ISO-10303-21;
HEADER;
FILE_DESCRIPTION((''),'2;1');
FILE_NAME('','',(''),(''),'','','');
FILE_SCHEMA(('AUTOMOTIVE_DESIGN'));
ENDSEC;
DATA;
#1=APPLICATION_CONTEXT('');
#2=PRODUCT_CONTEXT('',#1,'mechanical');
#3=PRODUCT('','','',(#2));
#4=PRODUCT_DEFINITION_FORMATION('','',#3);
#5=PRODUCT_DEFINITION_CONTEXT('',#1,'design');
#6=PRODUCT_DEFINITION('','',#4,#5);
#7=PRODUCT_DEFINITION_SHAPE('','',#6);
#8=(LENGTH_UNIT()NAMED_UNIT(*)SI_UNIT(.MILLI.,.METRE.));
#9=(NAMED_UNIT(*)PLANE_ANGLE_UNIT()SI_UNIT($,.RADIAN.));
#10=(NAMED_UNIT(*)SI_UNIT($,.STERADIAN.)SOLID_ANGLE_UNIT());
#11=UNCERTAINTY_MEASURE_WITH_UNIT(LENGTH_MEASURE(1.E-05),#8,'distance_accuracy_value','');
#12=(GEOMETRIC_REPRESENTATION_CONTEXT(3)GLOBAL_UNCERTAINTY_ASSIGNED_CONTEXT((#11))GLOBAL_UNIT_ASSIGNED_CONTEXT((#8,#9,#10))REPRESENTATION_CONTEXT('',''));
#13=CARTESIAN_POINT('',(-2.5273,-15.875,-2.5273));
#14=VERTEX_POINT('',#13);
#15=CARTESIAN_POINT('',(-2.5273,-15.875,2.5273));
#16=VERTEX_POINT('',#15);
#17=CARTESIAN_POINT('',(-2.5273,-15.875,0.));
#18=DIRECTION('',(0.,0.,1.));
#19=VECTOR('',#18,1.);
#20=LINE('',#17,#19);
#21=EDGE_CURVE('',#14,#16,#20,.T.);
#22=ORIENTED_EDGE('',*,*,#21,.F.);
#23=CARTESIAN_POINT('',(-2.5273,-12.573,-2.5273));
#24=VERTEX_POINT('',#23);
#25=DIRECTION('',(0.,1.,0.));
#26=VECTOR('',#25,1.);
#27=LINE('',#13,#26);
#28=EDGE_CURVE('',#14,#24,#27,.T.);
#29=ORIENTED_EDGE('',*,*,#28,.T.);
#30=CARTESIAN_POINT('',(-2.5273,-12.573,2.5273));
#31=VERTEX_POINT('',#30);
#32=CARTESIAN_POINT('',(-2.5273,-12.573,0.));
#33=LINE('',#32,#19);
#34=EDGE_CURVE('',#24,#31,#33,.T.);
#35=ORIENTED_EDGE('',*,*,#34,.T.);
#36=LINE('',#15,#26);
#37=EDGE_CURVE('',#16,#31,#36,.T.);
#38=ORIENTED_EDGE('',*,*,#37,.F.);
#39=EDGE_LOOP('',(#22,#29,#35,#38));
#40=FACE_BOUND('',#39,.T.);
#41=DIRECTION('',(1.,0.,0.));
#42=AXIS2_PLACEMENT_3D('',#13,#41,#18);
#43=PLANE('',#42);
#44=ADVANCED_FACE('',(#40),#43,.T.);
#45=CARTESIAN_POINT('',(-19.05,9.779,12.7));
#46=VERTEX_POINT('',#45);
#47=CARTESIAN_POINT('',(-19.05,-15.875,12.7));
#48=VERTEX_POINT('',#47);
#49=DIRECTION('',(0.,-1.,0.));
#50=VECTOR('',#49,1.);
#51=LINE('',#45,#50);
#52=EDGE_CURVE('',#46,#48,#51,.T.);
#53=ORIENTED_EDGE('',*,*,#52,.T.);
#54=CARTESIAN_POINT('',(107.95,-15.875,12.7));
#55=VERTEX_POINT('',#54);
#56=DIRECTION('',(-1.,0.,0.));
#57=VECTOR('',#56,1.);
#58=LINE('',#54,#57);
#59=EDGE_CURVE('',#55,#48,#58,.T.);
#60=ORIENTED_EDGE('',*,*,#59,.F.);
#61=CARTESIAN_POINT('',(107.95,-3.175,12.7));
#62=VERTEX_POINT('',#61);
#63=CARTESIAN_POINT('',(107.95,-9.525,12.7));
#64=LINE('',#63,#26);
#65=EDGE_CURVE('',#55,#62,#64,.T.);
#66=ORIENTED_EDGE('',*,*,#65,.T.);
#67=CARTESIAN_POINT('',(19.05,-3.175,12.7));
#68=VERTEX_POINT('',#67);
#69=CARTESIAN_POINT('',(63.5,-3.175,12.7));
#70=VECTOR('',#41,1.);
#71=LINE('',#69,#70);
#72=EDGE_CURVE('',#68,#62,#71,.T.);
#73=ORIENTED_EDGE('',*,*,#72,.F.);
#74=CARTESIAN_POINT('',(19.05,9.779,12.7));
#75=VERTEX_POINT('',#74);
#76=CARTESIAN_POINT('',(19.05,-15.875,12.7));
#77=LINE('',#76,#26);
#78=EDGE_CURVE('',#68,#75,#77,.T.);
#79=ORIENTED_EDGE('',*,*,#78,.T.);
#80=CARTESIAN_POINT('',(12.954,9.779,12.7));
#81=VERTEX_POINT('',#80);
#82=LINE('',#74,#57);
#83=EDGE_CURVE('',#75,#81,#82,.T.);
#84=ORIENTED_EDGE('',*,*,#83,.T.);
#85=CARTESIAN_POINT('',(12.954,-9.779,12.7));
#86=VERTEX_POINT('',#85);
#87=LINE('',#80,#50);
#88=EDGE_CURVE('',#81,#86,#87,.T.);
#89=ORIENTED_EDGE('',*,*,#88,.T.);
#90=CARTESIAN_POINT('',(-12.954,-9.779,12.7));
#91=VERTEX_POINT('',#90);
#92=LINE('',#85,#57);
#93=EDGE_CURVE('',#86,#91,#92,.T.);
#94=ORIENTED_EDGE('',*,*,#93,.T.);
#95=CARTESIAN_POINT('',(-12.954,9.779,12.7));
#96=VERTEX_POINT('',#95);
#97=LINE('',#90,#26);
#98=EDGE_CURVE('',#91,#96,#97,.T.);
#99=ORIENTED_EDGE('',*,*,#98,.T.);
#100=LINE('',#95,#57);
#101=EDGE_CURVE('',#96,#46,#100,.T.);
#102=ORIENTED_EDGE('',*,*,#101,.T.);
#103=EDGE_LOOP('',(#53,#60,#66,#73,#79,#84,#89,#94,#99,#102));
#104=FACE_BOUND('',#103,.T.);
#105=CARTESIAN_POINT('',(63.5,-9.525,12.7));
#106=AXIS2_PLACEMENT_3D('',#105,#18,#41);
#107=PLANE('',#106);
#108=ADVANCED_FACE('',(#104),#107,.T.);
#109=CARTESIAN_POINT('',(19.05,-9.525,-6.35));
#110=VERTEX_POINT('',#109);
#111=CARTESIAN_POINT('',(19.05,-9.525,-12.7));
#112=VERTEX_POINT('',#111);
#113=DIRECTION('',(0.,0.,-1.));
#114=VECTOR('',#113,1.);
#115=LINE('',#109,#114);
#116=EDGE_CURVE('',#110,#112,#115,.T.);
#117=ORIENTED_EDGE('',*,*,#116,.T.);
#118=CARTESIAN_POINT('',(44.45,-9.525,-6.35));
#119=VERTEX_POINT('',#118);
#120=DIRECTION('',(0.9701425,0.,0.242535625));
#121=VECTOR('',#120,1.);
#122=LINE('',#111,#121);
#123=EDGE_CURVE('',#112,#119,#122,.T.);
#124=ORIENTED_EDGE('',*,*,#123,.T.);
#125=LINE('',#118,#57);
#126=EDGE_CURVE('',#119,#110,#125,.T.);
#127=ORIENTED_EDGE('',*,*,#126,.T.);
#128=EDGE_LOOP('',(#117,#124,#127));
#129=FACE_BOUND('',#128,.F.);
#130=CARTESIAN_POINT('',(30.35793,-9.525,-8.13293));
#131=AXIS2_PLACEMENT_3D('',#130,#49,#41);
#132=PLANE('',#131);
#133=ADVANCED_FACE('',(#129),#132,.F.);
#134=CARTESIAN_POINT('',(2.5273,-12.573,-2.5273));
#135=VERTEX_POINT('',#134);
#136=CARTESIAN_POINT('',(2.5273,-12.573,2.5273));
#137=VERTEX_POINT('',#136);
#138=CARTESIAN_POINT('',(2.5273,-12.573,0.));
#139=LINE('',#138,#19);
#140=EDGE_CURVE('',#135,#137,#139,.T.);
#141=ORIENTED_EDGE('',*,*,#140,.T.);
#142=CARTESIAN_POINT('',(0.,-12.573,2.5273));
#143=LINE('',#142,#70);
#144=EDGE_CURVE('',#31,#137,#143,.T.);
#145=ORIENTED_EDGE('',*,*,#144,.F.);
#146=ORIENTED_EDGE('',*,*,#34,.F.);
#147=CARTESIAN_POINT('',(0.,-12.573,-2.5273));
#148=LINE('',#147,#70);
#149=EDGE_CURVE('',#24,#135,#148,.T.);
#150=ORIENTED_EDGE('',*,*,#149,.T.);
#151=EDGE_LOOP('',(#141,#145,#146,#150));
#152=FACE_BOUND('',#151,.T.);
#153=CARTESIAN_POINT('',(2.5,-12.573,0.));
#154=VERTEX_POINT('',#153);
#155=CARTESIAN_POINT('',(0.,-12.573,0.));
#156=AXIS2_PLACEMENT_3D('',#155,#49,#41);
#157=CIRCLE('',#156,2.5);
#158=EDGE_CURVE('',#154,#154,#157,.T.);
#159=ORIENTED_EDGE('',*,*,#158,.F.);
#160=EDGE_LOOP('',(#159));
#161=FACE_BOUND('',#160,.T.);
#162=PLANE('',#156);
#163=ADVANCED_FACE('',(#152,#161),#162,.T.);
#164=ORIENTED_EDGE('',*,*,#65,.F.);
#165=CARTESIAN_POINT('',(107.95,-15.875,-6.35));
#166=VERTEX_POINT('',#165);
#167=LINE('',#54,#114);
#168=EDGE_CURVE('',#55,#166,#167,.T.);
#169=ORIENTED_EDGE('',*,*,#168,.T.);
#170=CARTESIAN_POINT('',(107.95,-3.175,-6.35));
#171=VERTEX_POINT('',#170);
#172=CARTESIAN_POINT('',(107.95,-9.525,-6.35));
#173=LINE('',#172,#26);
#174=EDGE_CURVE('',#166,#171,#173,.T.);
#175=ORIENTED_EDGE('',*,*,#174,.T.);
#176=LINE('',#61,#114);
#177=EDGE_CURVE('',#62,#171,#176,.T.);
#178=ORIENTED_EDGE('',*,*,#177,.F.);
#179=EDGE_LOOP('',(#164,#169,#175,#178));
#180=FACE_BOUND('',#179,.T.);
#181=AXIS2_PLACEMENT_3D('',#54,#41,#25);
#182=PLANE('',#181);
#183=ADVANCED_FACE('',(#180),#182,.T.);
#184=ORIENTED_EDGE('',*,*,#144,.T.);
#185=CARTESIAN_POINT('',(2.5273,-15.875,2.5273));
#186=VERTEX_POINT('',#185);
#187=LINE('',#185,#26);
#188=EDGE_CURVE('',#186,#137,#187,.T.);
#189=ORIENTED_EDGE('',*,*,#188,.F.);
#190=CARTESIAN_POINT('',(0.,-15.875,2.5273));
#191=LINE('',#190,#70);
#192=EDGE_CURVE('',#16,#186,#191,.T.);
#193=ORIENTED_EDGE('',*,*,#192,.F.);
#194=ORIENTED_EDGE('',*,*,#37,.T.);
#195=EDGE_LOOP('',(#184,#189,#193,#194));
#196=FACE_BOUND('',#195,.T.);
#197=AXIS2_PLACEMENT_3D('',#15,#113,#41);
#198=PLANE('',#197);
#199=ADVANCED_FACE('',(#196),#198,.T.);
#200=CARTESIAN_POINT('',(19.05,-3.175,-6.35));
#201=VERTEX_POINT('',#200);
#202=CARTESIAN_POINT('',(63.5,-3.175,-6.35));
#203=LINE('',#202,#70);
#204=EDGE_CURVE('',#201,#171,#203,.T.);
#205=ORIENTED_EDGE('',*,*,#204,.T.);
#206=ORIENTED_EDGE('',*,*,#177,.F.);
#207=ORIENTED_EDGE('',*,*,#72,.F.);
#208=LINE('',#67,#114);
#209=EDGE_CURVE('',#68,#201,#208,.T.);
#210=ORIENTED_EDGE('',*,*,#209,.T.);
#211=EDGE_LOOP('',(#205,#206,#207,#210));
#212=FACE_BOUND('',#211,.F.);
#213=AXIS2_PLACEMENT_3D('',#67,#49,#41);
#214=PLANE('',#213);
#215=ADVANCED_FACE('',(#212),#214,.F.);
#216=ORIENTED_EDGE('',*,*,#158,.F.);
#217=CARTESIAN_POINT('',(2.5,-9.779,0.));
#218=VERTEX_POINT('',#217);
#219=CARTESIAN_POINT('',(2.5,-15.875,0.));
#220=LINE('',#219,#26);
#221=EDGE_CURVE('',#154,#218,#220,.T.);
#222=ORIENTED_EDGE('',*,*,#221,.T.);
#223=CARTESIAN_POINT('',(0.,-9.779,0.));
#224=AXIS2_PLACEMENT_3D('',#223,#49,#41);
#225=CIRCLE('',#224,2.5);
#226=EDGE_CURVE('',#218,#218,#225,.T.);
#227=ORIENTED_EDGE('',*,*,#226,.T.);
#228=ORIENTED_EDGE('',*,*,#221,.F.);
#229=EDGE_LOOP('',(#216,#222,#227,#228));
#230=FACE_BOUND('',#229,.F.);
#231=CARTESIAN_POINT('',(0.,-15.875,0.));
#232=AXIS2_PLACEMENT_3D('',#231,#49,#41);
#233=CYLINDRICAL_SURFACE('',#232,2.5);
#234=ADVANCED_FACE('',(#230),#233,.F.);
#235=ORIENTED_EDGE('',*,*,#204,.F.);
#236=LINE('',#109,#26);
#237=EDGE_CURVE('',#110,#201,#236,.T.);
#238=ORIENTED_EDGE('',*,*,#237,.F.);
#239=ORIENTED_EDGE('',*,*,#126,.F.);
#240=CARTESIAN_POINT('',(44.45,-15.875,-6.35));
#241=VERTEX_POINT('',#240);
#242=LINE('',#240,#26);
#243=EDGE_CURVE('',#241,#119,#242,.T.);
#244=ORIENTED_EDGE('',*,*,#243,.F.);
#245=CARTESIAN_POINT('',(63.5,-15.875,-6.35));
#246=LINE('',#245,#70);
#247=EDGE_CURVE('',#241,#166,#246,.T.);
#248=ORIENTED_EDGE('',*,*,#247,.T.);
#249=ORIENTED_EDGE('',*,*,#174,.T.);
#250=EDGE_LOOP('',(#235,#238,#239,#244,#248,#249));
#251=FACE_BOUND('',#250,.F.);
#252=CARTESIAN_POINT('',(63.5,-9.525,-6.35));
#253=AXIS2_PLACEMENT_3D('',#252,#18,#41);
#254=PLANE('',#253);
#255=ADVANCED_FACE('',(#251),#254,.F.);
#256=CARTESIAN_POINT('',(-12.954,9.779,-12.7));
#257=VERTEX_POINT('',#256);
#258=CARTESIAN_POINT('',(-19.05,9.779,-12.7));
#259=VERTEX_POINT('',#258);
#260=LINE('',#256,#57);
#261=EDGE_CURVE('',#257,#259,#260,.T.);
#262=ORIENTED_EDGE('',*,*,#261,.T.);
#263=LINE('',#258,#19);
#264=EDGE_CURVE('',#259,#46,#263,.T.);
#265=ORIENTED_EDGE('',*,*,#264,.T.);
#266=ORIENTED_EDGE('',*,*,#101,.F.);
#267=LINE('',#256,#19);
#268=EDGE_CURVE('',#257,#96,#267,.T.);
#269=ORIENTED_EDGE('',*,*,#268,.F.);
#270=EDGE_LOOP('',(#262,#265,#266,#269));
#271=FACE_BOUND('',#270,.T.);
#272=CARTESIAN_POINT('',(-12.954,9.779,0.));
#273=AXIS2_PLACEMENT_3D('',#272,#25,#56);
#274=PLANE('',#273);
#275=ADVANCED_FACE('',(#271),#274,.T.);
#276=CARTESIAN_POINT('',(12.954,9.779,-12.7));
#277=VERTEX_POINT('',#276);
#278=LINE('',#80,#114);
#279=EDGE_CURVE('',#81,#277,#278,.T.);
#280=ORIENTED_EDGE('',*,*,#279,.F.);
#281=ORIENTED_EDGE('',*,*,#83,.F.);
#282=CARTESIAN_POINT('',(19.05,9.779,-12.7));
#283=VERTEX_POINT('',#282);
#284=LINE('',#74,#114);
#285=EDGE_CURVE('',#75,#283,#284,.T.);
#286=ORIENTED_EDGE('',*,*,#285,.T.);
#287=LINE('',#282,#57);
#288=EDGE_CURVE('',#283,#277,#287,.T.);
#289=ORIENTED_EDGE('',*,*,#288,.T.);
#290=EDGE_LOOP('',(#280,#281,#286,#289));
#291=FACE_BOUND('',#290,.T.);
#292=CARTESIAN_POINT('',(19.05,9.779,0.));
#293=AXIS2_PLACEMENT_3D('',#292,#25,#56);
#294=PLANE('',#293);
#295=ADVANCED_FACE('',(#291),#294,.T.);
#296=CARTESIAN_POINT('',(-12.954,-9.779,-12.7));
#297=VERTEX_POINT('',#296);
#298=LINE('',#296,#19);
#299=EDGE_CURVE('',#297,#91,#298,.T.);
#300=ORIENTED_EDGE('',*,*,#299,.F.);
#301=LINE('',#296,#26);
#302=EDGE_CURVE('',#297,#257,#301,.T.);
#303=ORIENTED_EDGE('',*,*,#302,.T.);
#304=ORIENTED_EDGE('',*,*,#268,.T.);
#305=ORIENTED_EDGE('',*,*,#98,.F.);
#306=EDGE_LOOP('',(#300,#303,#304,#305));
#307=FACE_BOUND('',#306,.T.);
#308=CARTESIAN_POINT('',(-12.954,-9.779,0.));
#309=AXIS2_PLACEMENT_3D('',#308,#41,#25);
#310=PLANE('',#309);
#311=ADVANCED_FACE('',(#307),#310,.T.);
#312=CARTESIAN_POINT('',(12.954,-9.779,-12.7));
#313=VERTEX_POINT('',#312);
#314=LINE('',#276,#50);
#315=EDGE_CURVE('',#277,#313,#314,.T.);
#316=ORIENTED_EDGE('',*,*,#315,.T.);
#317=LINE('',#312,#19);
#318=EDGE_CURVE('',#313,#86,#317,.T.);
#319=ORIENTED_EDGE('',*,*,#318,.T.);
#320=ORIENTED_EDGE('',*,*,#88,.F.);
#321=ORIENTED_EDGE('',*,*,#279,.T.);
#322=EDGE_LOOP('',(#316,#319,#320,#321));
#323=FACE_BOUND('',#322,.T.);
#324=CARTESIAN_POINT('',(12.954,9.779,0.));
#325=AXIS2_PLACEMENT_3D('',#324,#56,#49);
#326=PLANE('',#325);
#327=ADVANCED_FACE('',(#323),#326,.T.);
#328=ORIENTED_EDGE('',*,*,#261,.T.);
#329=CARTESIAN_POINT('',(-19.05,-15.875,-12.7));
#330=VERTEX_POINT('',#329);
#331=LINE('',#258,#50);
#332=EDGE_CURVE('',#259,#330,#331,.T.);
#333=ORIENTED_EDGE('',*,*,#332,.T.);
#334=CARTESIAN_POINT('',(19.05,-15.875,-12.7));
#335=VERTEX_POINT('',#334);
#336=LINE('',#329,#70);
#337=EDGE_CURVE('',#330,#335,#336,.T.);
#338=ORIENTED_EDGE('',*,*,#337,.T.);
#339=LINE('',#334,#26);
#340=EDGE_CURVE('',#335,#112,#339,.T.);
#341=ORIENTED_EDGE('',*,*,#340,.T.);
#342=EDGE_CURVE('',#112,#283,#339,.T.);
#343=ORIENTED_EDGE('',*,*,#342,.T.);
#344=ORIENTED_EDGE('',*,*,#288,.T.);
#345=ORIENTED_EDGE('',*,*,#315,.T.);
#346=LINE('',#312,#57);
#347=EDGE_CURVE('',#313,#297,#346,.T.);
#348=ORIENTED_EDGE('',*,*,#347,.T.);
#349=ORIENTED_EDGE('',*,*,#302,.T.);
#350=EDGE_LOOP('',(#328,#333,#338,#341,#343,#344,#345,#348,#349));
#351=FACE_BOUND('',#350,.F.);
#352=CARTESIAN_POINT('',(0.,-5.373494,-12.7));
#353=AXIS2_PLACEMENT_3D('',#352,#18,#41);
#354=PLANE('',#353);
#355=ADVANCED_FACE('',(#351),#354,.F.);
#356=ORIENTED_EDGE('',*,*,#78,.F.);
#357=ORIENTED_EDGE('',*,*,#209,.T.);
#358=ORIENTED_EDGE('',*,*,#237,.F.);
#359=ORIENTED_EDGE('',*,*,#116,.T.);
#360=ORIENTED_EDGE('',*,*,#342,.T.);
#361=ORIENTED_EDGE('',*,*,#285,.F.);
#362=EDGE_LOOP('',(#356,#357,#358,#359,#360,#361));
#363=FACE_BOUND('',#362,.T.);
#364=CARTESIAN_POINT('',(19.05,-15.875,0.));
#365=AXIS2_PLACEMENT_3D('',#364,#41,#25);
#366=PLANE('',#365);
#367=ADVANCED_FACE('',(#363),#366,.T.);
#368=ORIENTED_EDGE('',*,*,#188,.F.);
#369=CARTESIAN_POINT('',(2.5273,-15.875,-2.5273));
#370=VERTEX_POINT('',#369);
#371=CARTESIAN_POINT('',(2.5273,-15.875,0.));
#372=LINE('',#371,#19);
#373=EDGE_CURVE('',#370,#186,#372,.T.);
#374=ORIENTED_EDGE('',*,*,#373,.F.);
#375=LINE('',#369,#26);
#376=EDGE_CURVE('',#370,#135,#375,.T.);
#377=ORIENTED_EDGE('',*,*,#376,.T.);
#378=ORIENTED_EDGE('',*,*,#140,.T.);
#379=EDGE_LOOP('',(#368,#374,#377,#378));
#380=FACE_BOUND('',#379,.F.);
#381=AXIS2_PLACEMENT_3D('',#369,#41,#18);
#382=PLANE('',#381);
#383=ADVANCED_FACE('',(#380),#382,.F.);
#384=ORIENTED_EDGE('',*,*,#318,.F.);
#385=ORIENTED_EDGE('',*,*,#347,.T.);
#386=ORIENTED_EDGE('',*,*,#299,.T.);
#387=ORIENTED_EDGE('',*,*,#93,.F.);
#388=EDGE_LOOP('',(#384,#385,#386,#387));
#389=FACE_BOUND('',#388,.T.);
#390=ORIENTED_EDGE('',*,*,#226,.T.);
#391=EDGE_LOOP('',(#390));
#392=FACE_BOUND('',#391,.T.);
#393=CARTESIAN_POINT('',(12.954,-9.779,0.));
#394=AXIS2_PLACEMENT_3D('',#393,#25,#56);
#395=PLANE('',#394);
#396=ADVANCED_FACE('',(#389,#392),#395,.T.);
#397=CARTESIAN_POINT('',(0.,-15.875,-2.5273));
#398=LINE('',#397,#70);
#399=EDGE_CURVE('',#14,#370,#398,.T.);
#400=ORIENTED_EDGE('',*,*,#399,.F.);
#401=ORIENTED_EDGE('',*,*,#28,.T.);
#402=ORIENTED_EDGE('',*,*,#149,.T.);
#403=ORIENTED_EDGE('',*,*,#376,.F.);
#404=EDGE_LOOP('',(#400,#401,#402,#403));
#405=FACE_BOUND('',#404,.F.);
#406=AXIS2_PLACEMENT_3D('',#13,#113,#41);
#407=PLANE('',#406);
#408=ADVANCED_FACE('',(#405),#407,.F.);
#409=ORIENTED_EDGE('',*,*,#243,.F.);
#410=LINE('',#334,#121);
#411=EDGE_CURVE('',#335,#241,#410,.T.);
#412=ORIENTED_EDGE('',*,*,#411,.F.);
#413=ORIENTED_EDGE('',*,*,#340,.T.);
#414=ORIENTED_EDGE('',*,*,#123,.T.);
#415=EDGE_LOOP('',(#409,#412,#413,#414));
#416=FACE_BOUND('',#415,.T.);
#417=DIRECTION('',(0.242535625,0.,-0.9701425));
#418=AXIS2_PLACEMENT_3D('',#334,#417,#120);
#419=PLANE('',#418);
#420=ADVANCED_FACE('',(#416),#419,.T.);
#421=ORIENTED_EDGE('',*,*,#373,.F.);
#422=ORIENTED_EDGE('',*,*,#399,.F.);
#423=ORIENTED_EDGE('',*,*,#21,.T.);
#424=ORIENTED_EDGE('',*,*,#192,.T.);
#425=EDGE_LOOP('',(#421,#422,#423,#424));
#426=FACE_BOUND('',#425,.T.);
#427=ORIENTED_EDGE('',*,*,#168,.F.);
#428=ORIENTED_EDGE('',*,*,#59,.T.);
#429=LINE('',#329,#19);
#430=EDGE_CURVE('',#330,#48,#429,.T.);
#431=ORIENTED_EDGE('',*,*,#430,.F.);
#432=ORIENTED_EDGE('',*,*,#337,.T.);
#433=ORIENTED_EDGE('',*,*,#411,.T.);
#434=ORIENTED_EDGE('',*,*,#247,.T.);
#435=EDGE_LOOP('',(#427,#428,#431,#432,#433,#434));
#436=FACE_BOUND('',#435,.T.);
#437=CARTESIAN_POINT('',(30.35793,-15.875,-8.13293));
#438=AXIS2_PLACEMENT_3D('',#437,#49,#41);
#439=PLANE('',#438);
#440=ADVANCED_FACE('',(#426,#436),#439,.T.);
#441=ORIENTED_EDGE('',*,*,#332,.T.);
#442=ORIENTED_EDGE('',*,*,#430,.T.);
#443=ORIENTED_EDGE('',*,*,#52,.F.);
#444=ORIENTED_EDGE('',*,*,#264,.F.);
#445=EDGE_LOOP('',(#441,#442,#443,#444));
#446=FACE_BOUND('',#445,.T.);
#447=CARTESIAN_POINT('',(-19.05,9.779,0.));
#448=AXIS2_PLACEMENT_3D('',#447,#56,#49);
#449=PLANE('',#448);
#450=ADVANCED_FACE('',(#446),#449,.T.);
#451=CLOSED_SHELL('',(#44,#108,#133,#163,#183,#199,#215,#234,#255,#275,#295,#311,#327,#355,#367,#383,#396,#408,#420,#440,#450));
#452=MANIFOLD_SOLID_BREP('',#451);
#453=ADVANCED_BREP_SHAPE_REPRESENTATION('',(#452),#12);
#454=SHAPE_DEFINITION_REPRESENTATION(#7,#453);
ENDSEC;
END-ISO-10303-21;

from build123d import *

# Parameters (mm, degrees)
F1_DEPTH = 12.7
F2_R     = 2.5
F3_DEPTH = 25.655
F4_W     = 5.0546
F4_H     = 5.0546
F5_DEPTH = 3.302
F6_W     = 88.9
F6_H     = 12.7
F7_DEPTH = 19.05
F9_DEPTH = 6.35


with BuildPart() as f1:
    # F0 (on Top) → F1 (new body, symmetric)
    with BuildSketch(Plane.XY):
        Polygon((12.954, 9.779), (12.954, -9.779), (-12.954, -9.779), (-12.954, 9.779), (-19.05, 9.779), (-19.05, -15.875), (19.05, -15.875), (19.05, 9.779), align=None)
    extrude(amount=F1_DEPTH, both=True)

    # F2 (on face) → F3 (cut, through all)
    with BuildSketch(Plane.XZ.offset(15.875)):
        Circle(F2_R)
    extrude(amount=-F3_DEPTH, mode=Mode.SUBTRACT)

    # F4 (on face) → F5 (cut)
    with BuildSketch(Plane.XZ.offset(15.875)):
        Rectangle(F4_W, F4_H)
    extrude(amount=-F5_DEPTH, mode=Mode.SUBTRACT)

    # F6 (on face) → F7 (join)
    with BuildSketch(Plane.XY.offset(12.7)):
        with Locations((63.5, -9.525)):
            Rectangle(F6_W, F6_H)
    extrude(amount=-F7_DEPTH)

    # F8 (on face) → F9 (join)
    with BuildSketch(Plane.XZ.offset(15.875)):
        Polygon((19.05, -6.35), (19.05, -12.7), (44.45, -6.35), align=None)
    extrude(amount=-F9_DEPTH)


solid = f1.part
